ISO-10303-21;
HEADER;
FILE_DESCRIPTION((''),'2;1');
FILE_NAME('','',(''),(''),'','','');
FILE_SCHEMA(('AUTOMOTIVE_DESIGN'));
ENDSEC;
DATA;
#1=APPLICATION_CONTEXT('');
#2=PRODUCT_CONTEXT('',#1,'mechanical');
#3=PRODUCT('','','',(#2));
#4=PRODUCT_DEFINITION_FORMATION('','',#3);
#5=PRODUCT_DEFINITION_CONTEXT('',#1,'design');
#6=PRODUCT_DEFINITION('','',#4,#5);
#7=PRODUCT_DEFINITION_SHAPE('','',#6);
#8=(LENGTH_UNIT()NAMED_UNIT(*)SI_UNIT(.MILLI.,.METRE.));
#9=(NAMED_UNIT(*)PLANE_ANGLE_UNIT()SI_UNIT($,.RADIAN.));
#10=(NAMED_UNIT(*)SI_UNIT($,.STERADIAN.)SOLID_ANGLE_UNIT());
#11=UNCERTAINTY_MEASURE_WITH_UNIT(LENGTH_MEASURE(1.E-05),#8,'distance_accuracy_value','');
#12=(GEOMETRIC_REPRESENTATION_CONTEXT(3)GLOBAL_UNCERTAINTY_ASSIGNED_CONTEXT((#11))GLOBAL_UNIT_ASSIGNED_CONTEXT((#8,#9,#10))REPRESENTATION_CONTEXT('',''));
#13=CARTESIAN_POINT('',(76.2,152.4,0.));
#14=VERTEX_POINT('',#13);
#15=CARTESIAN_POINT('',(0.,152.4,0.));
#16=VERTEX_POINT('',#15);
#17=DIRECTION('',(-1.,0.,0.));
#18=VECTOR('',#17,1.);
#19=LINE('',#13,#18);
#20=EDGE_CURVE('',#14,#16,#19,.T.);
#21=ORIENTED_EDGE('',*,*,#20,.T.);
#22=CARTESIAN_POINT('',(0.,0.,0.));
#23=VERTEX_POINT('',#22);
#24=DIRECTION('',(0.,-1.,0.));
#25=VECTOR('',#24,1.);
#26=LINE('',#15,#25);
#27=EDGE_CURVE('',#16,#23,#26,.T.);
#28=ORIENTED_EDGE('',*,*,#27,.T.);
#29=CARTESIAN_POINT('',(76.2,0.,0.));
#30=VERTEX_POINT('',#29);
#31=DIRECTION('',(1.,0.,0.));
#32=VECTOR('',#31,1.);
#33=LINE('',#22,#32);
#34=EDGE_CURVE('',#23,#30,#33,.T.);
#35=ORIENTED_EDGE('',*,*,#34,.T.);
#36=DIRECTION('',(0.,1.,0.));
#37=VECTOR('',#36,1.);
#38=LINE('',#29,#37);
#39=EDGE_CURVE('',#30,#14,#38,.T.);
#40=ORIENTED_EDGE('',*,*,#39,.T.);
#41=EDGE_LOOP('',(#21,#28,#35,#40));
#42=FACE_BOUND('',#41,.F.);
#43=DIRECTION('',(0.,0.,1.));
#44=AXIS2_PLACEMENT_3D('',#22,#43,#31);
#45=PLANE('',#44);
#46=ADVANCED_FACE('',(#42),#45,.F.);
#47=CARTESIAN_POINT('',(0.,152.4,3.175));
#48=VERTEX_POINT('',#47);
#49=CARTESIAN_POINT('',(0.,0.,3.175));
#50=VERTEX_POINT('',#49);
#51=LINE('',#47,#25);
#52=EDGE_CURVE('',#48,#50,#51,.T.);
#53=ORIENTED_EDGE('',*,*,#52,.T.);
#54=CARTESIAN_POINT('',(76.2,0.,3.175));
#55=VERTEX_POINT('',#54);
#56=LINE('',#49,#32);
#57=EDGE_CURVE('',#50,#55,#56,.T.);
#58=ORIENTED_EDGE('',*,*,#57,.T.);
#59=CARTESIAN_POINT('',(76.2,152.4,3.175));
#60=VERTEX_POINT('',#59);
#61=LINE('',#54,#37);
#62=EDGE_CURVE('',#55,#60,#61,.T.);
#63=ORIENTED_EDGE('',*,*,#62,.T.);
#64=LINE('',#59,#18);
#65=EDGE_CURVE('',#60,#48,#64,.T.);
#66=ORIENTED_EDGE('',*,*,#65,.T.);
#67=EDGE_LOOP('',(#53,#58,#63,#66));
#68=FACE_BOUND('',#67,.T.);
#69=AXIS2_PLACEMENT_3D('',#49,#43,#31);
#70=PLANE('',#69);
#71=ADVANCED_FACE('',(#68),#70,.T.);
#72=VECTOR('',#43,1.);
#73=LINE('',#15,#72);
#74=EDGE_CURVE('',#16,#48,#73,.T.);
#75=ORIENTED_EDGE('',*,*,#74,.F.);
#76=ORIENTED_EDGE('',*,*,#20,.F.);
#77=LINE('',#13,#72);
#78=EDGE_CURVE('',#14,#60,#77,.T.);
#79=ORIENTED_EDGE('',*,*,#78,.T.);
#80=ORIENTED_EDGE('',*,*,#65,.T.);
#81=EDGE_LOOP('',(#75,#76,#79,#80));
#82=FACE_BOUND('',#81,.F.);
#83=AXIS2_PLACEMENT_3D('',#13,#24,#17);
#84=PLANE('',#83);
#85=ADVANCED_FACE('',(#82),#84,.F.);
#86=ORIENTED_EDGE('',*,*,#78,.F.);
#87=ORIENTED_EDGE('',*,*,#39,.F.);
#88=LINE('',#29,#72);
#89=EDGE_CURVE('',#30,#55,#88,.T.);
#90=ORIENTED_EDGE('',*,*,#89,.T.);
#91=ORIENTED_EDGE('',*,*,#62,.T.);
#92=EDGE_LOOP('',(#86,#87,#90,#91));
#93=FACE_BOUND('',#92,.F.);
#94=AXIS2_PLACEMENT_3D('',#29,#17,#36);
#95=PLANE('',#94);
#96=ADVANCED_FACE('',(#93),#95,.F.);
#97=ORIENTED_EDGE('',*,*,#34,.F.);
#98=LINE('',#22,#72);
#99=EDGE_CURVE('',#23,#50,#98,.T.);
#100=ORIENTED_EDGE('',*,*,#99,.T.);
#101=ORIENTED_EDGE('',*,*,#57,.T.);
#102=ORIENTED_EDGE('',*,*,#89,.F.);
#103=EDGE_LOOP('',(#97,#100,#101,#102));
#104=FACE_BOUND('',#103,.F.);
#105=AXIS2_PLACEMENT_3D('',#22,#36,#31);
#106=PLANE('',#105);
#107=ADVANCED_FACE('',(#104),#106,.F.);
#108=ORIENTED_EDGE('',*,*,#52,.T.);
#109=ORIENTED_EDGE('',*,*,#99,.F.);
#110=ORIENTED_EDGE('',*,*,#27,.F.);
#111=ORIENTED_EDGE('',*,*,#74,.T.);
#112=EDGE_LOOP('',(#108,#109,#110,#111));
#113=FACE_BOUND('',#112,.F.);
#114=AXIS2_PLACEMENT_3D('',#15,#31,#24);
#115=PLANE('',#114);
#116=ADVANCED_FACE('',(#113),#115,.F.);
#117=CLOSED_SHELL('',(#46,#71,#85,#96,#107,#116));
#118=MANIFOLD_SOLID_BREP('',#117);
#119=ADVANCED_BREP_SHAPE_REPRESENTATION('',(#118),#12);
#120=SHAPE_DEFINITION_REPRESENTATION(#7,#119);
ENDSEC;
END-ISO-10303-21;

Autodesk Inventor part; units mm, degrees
ref_plane "YZ Plane" through (0, 0, 0) normal (1, 0, 0) x (0, 1, 0)
ref_plane "XZ Plane" through (0, 0, 0) normal (0, 1, 0) x (-1, 0, 0)
ref_plane "XY Plane" through (0, 0, 0) normal (0, 0, 1) x (1, 0, 0)
sketch "Sketch1" plane through (0, 0, 0) normal (0, 0, 1) x (1, 0, 0)
  line L0 (0, 0) -> (76.2, 0)
  line L1 (76.2, 0) -> (76.2, 152.4)
  line L2 (76.2, 152.4) -> (0, 152.4)
  line L3 (0, 152.4) -> (0, 0)
  dimension "d1" = 152.4
  dimension "d2" = 76.2
extrude "Extrusion1" add sketch "Sketch1" along normal blind 3.175
properties part number "Mending_Plate" material "Steel, Galvanized"
